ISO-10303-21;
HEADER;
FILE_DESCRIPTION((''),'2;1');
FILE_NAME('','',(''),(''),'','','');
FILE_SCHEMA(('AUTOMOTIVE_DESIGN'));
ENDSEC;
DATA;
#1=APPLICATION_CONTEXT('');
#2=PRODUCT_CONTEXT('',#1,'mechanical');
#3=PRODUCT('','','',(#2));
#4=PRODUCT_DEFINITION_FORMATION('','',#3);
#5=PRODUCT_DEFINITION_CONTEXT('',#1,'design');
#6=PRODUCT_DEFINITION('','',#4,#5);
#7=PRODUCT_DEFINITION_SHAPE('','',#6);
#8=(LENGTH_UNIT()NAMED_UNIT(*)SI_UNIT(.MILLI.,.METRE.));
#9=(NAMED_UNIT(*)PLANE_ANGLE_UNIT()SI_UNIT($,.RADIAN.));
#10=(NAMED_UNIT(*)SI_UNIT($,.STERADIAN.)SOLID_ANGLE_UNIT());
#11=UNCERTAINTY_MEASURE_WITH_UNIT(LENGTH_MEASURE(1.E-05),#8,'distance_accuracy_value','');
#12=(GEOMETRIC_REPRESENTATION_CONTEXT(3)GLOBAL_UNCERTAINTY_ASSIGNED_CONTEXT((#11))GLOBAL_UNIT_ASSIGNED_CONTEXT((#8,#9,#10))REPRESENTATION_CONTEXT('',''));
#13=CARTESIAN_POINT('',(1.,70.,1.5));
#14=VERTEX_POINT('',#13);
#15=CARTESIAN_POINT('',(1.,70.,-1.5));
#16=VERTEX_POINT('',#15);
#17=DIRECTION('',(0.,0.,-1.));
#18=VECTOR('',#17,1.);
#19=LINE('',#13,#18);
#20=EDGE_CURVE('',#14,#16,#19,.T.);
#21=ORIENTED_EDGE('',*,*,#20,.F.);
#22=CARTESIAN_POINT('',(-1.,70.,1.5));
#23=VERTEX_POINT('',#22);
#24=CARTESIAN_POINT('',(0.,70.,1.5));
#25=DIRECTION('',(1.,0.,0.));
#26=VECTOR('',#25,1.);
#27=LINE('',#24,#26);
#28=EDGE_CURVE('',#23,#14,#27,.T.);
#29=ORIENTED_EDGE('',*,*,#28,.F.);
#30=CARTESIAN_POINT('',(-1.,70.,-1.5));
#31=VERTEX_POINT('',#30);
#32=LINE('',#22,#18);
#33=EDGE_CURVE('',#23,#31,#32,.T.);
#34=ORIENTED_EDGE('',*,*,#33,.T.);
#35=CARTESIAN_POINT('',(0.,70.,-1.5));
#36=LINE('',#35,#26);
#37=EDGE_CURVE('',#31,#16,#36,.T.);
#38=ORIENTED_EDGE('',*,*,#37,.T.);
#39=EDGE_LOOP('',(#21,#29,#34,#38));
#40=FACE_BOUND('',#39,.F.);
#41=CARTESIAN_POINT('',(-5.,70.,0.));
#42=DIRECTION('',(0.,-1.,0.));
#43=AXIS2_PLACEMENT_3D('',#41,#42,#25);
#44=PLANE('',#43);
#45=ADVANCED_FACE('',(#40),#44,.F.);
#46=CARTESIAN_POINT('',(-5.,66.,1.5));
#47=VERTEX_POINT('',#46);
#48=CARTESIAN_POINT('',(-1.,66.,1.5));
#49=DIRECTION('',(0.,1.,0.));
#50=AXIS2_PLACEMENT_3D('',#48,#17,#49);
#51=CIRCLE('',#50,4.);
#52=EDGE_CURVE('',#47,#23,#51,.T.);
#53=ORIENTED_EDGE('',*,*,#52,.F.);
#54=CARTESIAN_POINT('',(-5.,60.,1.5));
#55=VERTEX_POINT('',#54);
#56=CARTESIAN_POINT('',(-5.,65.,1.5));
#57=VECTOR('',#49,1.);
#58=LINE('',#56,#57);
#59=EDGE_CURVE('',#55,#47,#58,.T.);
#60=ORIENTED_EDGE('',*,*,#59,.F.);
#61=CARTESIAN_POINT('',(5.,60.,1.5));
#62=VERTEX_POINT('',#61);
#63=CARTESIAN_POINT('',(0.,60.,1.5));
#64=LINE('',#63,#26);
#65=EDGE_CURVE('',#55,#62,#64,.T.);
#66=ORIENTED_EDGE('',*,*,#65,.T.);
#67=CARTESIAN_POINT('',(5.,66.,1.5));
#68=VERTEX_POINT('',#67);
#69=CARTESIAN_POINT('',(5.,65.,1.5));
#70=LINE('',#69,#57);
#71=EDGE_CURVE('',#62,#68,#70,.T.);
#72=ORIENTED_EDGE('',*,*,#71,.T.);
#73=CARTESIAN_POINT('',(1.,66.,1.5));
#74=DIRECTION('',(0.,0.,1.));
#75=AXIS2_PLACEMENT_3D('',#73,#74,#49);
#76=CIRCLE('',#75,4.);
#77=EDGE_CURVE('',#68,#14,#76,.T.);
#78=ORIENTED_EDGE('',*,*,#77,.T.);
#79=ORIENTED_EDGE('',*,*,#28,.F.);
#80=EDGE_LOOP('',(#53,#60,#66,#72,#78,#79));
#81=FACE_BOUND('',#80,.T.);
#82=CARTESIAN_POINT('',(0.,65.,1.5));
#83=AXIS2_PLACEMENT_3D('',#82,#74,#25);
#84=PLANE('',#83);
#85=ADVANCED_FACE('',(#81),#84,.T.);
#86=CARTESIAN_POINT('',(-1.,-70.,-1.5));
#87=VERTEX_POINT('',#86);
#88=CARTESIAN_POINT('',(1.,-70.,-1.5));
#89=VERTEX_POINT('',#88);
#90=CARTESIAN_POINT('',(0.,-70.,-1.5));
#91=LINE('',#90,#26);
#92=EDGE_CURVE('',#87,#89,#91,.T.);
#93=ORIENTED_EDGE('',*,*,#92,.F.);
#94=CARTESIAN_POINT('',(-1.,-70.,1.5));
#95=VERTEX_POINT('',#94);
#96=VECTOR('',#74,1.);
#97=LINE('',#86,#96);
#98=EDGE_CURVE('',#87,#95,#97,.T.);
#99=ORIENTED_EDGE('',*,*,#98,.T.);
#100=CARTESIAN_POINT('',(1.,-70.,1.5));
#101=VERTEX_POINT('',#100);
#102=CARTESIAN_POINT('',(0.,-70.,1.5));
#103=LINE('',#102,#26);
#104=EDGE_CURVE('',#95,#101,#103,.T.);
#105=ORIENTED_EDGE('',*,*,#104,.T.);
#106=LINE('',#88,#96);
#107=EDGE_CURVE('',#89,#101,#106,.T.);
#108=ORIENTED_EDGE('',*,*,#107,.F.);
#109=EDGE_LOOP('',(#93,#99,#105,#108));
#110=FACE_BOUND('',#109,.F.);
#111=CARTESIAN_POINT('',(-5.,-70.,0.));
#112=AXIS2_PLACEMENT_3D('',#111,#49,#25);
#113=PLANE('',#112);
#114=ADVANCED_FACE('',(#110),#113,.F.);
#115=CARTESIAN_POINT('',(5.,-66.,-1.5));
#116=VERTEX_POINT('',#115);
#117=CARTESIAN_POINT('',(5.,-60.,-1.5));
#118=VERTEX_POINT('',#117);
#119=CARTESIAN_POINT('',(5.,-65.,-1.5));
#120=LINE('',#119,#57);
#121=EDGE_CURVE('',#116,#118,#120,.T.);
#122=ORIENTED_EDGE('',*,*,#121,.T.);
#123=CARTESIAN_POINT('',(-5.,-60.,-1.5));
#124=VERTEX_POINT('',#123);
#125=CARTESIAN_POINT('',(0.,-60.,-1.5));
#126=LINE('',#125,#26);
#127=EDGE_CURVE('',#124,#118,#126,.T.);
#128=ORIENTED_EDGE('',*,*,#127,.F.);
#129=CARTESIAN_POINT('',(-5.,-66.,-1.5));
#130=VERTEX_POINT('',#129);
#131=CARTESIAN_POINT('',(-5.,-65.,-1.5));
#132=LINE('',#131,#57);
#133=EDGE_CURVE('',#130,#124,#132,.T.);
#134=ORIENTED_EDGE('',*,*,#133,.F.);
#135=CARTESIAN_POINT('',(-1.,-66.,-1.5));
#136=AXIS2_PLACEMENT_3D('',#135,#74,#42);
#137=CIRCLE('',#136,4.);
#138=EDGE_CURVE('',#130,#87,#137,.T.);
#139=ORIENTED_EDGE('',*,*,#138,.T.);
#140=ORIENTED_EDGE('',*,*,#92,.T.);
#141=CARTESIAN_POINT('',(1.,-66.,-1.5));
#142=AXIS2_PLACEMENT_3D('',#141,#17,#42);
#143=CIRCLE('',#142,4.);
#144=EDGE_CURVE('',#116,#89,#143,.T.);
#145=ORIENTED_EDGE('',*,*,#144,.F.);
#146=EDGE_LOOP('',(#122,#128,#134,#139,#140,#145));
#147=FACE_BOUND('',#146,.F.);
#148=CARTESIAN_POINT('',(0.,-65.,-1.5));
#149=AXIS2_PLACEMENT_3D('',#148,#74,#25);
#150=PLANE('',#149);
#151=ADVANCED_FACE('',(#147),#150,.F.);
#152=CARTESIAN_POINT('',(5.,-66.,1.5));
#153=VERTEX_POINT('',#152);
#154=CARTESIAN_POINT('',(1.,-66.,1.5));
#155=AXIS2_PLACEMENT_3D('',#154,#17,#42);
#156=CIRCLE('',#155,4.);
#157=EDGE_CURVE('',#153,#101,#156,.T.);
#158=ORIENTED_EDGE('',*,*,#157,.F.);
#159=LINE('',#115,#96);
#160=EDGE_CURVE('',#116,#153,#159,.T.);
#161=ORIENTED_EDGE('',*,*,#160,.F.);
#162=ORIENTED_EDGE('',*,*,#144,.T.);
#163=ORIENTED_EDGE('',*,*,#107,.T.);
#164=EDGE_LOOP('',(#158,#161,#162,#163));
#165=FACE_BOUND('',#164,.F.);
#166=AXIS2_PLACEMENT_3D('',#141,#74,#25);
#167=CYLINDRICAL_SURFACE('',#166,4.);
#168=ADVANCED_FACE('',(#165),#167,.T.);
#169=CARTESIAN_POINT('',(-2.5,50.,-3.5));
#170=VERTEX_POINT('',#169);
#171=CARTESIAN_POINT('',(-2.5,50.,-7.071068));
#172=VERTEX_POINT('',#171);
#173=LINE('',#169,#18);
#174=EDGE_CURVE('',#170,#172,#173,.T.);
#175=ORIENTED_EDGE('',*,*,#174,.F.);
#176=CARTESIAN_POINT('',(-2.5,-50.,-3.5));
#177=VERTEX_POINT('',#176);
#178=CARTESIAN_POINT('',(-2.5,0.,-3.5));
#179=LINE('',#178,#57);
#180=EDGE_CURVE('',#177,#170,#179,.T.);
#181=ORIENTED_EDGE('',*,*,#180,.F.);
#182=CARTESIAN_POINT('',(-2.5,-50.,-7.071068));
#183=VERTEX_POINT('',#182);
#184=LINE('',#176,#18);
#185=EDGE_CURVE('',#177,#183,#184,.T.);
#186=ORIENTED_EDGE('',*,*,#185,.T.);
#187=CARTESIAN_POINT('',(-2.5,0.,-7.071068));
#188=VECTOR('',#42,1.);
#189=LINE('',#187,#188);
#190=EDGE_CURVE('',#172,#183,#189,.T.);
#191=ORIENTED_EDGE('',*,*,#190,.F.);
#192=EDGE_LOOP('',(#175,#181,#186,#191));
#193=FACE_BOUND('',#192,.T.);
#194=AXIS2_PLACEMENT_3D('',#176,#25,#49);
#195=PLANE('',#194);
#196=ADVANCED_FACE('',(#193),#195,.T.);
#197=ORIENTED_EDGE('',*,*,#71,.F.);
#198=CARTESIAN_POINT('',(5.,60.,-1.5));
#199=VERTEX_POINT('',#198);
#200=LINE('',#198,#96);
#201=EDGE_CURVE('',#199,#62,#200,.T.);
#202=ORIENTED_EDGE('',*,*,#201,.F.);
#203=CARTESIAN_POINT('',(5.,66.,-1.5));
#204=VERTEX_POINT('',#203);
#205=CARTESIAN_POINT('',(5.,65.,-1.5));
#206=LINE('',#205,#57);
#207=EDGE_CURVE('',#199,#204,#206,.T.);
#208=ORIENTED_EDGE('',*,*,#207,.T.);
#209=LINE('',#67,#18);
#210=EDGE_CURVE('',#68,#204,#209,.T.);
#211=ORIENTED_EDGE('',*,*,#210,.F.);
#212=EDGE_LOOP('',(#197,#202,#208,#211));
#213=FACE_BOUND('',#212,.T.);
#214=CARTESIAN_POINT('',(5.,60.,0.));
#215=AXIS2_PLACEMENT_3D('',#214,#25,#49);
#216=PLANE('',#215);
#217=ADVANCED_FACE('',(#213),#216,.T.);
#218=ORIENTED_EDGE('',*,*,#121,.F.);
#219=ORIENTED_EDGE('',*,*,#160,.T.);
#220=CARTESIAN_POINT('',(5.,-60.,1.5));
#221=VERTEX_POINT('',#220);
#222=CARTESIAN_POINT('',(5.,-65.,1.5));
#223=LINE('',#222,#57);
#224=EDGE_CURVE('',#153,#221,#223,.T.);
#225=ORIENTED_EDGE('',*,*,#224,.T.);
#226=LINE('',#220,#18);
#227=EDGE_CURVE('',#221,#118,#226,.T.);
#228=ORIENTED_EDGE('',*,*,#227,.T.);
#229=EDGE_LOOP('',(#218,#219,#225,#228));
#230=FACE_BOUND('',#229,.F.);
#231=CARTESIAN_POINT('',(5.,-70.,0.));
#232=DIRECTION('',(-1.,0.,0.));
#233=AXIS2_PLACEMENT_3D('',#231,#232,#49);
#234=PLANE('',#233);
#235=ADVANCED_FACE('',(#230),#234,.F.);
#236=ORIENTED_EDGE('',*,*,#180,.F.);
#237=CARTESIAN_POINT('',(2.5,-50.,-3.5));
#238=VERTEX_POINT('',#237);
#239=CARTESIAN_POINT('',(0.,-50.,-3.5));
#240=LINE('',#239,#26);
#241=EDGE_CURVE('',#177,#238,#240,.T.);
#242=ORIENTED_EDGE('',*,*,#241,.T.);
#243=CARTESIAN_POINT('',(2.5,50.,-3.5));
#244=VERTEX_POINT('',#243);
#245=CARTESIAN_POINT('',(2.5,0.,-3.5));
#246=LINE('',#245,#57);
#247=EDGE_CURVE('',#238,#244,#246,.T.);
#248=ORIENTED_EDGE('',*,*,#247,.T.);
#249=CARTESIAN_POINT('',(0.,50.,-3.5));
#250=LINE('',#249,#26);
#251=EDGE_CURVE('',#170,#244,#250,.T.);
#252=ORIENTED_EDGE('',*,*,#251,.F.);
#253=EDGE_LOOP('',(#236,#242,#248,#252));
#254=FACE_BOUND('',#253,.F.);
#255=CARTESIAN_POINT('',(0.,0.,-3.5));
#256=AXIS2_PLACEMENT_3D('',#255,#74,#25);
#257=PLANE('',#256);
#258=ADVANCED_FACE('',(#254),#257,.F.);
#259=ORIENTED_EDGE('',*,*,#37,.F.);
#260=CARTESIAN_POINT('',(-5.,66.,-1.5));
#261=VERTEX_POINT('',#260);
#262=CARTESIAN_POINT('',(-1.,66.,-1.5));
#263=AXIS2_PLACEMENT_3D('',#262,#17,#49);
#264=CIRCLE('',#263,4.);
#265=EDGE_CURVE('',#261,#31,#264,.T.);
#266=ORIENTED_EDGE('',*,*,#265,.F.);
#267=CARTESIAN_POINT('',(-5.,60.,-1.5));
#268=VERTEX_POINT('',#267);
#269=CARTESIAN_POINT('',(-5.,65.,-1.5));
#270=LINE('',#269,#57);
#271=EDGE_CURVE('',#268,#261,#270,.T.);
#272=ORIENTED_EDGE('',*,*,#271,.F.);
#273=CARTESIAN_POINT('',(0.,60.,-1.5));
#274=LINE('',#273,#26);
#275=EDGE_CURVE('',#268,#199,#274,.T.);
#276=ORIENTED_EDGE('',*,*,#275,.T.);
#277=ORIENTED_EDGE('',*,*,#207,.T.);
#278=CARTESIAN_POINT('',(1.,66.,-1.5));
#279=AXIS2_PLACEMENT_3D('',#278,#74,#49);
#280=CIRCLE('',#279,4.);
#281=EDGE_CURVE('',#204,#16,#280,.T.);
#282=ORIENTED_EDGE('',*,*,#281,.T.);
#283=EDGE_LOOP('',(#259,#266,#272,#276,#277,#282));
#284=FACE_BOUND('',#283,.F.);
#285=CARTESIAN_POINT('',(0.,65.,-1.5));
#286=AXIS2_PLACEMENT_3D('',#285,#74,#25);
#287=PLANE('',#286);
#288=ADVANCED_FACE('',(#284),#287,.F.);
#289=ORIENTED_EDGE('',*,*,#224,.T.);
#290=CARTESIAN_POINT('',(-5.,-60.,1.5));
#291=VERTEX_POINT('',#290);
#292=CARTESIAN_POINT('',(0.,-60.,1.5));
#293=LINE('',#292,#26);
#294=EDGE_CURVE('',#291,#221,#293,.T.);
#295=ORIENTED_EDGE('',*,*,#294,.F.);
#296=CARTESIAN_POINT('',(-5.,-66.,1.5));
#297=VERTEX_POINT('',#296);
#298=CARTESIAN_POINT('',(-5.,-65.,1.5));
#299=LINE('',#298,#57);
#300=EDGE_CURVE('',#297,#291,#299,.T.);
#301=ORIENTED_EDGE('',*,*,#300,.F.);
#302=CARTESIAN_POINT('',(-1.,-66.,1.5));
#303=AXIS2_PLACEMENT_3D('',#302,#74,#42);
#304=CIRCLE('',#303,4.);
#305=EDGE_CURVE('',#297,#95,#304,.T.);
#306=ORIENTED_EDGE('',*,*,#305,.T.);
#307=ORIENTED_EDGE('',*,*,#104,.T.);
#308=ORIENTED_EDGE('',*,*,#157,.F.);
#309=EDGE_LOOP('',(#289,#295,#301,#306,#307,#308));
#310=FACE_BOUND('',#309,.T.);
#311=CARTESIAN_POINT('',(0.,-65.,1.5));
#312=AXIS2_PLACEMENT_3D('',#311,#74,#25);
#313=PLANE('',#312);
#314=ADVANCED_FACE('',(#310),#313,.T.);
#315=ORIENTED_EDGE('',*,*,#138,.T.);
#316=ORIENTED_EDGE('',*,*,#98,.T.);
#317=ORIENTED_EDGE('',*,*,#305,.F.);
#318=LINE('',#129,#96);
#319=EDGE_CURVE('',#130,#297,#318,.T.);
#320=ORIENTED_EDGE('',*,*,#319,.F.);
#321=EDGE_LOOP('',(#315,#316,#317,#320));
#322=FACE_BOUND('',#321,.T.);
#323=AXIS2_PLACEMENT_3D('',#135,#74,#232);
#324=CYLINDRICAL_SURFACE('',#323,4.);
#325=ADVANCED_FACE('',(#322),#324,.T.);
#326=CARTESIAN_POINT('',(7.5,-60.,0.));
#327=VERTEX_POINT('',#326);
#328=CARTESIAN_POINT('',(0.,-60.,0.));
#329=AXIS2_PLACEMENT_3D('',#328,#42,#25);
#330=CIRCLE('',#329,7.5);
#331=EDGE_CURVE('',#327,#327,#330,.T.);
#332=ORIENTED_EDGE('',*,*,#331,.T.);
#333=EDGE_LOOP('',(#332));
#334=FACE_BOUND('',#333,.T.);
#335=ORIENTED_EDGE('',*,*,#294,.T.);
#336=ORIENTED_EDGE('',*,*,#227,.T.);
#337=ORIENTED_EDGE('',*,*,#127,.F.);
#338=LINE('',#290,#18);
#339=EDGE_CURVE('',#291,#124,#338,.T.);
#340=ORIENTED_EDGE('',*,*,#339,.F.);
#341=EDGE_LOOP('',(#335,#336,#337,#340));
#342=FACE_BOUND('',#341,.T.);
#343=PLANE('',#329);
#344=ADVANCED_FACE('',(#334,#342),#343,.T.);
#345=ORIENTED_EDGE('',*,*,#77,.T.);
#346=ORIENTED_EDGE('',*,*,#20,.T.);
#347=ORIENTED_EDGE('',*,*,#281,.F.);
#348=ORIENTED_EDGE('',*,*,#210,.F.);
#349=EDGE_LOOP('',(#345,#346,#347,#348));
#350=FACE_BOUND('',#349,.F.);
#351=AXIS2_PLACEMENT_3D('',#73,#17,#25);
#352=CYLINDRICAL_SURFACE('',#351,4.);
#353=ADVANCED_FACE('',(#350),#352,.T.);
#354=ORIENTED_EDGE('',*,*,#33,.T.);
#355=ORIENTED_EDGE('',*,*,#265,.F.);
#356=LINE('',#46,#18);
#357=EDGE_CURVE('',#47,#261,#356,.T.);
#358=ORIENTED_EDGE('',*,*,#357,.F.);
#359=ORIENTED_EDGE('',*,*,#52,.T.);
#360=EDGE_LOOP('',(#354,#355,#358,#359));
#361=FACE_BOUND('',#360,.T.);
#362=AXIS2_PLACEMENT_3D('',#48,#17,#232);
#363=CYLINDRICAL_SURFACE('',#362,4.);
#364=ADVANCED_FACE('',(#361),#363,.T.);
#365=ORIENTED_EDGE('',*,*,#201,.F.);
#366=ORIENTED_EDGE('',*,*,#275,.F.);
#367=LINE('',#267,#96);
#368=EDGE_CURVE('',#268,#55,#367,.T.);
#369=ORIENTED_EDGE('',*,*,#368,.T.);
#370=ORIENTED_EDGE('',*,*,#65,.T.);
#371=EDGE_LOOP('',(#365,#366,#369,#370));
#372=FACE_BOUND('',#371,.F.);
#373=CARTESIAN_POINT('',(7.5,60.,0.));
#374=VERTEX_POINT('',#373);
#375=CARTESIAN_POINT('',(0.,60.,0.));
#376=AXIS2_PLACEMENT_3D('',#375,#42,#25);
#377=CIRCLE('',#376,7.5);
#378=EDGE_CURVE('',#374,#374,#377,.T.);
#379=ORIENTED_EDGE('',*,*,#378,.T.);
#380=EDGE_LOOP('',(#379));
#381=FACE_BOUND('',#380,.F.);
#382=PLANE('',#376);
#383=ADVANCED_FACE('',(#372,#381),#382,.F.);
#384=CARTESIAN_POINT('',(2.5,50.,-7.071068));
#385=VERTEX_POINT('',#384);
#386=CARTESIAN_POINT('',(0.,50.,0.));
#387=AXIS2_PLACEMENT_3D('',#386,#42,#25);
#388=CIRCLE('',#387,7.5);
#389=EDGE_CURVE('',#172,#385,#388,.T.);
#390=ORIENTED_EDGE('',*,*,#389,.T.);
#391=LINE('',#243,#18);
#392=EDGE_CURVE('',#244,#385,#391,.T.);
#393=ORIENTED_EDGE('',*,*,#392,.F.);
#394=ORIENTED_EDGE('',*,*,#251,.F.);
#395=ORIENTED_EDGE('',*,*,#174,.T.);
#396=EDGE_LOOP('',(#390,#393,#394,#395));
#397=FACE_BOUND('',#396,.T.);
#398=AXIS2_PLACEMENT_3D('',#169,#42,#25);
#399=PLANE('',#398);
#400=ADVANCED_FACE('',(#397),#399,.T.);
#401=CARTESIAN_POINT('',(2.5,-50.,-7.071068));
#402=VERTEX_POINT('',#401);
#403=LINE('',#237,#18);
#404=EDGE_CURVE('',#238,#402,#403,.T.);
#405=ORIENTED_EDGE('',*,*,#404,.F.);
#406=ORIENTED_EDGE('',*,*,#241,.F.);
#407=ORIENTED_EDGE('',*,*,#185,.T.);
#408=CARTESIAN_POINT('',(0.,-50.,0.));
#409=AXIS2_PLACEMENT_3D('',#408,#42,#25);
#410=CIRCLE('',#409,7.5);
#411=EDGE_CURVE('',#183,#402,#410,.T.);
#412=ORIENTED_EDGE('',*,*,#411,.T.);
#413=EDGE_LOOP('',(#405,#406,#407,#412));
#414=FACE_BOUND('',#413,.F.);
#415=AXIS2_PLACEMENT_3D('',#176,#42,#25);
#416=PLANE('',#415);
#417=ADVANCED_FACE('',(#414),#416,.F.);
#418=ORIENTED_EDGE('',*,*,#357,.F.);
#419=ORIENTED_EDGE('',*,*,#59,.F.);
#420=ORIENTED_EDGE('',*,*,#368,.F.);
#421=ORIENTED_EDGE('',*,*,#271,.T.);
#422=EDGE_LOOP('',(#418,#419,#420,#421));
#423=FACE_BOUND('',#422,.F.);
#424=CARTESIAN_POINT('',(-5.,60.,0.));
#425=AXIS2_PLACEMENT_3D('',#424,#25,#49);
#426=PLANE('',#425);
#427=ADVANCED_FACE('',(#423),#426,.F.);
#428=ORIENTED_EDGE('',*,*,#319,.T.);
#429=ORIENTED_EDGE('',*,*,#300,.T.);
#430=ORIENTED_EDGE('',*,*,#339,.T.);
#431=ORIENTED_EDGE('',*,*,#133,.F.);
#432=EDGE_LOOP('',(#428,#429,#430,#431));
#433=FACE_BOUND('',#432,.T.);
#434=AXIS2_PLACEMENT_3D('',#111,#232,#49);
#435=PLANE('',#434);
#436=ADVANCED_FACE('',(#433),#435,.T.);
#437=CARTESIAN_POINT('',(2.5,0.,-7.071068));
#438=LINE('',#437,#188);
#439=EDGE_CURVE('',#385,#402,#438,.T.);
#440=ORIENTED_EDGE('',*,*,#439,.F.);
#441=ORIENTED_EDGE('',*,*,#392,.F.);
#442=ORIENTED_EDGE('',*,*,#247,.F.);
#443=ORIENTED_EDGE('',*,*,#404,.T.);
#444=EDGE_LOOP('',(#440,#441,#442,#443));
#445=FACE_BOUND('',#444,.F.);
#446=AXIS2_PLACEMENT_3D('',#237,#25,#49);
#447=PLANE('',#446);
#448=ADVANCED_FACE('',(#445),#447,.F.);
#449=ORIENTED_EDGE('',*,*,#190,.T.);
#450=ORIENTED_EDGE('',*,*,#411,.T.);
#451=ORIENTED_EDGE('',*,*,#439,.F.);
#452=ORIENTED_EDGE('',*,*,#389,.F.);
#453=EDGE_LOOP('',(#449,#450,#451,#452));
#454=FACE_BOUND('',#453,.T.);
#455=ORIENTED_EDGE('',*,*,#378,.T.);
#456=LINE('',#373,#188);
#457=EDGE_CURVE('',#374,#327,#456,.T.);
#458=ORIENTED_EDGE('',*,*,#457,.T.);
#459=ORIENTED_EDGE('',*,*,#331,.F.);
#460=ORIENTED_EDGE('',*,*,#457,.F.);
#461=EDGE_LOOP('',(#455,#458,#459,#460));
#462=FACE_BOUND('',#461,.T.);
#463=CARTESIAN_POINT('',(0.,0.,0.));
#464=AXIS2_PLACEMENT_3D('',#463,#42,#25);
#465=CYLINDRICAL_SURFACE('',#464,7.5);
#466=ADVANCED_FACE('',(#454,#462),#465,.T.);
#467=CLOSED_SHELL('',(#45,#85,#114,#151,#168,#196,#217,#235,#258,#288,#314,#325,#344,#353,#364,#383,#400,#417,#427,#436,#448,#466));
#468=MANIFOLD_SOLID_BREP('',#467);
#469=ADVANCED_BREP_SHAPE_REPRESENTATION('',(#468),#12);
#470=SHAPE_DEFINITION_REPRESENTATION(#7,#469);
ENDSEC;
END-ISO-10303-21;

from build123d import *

# Parameters (mm, degrees)
SKETCH_R     = 7.5
PAD_DEPTH    = 60
SKETCH001_W  = 5
SKETCH001_H  = 100
POCKET_DEPTH = 4.001
SKETCH002_W  = 10
SKETCH002_H  = 10
PAD001_DEPTH = 1.5
FILLET_R     = 4


with BuildPart() as part:
    # Sketch → Pad (new body, symmetric)
    with BuildSketch(Plane.XZ):
        Circle(SKETCH_R)
    extrude(amount=PAD_DEPTH, both=True)

    # Sketch001 → Pocket (cut, through all)
    with BuildSketch(Plane.XY.offset(-3.5)):
        Rectangle(SKETCH001_W, SKETCH001_H)
    extrude(amount=-POCKET_DEPTH, mode=Mode.SUBTRACT)

    # Sketch002 → Pad001 (join, symmetric)
    with BuildSketch(Plane.XY):
        with Locations((0, -65)):
            Rectangle(SKETCH002_W, SKETCH002_H)
        with Locations((0, 65)):
            Rectangle(SKETCH002_W, SKETCH002_H)
    extrude(amount=PAD001_DEPTH, both=True)

    # Fillet
    fillet_edges = [part.edges().sort_by_distance(p)[0] for p in [
        (-5, 70, 0),
        (5, 70, 0),
        (5, -70, 0),
        (-5, -70, 0),
    ]]
    fillet(fillet_edges, radius=FILLET_R)


solid = part.part
